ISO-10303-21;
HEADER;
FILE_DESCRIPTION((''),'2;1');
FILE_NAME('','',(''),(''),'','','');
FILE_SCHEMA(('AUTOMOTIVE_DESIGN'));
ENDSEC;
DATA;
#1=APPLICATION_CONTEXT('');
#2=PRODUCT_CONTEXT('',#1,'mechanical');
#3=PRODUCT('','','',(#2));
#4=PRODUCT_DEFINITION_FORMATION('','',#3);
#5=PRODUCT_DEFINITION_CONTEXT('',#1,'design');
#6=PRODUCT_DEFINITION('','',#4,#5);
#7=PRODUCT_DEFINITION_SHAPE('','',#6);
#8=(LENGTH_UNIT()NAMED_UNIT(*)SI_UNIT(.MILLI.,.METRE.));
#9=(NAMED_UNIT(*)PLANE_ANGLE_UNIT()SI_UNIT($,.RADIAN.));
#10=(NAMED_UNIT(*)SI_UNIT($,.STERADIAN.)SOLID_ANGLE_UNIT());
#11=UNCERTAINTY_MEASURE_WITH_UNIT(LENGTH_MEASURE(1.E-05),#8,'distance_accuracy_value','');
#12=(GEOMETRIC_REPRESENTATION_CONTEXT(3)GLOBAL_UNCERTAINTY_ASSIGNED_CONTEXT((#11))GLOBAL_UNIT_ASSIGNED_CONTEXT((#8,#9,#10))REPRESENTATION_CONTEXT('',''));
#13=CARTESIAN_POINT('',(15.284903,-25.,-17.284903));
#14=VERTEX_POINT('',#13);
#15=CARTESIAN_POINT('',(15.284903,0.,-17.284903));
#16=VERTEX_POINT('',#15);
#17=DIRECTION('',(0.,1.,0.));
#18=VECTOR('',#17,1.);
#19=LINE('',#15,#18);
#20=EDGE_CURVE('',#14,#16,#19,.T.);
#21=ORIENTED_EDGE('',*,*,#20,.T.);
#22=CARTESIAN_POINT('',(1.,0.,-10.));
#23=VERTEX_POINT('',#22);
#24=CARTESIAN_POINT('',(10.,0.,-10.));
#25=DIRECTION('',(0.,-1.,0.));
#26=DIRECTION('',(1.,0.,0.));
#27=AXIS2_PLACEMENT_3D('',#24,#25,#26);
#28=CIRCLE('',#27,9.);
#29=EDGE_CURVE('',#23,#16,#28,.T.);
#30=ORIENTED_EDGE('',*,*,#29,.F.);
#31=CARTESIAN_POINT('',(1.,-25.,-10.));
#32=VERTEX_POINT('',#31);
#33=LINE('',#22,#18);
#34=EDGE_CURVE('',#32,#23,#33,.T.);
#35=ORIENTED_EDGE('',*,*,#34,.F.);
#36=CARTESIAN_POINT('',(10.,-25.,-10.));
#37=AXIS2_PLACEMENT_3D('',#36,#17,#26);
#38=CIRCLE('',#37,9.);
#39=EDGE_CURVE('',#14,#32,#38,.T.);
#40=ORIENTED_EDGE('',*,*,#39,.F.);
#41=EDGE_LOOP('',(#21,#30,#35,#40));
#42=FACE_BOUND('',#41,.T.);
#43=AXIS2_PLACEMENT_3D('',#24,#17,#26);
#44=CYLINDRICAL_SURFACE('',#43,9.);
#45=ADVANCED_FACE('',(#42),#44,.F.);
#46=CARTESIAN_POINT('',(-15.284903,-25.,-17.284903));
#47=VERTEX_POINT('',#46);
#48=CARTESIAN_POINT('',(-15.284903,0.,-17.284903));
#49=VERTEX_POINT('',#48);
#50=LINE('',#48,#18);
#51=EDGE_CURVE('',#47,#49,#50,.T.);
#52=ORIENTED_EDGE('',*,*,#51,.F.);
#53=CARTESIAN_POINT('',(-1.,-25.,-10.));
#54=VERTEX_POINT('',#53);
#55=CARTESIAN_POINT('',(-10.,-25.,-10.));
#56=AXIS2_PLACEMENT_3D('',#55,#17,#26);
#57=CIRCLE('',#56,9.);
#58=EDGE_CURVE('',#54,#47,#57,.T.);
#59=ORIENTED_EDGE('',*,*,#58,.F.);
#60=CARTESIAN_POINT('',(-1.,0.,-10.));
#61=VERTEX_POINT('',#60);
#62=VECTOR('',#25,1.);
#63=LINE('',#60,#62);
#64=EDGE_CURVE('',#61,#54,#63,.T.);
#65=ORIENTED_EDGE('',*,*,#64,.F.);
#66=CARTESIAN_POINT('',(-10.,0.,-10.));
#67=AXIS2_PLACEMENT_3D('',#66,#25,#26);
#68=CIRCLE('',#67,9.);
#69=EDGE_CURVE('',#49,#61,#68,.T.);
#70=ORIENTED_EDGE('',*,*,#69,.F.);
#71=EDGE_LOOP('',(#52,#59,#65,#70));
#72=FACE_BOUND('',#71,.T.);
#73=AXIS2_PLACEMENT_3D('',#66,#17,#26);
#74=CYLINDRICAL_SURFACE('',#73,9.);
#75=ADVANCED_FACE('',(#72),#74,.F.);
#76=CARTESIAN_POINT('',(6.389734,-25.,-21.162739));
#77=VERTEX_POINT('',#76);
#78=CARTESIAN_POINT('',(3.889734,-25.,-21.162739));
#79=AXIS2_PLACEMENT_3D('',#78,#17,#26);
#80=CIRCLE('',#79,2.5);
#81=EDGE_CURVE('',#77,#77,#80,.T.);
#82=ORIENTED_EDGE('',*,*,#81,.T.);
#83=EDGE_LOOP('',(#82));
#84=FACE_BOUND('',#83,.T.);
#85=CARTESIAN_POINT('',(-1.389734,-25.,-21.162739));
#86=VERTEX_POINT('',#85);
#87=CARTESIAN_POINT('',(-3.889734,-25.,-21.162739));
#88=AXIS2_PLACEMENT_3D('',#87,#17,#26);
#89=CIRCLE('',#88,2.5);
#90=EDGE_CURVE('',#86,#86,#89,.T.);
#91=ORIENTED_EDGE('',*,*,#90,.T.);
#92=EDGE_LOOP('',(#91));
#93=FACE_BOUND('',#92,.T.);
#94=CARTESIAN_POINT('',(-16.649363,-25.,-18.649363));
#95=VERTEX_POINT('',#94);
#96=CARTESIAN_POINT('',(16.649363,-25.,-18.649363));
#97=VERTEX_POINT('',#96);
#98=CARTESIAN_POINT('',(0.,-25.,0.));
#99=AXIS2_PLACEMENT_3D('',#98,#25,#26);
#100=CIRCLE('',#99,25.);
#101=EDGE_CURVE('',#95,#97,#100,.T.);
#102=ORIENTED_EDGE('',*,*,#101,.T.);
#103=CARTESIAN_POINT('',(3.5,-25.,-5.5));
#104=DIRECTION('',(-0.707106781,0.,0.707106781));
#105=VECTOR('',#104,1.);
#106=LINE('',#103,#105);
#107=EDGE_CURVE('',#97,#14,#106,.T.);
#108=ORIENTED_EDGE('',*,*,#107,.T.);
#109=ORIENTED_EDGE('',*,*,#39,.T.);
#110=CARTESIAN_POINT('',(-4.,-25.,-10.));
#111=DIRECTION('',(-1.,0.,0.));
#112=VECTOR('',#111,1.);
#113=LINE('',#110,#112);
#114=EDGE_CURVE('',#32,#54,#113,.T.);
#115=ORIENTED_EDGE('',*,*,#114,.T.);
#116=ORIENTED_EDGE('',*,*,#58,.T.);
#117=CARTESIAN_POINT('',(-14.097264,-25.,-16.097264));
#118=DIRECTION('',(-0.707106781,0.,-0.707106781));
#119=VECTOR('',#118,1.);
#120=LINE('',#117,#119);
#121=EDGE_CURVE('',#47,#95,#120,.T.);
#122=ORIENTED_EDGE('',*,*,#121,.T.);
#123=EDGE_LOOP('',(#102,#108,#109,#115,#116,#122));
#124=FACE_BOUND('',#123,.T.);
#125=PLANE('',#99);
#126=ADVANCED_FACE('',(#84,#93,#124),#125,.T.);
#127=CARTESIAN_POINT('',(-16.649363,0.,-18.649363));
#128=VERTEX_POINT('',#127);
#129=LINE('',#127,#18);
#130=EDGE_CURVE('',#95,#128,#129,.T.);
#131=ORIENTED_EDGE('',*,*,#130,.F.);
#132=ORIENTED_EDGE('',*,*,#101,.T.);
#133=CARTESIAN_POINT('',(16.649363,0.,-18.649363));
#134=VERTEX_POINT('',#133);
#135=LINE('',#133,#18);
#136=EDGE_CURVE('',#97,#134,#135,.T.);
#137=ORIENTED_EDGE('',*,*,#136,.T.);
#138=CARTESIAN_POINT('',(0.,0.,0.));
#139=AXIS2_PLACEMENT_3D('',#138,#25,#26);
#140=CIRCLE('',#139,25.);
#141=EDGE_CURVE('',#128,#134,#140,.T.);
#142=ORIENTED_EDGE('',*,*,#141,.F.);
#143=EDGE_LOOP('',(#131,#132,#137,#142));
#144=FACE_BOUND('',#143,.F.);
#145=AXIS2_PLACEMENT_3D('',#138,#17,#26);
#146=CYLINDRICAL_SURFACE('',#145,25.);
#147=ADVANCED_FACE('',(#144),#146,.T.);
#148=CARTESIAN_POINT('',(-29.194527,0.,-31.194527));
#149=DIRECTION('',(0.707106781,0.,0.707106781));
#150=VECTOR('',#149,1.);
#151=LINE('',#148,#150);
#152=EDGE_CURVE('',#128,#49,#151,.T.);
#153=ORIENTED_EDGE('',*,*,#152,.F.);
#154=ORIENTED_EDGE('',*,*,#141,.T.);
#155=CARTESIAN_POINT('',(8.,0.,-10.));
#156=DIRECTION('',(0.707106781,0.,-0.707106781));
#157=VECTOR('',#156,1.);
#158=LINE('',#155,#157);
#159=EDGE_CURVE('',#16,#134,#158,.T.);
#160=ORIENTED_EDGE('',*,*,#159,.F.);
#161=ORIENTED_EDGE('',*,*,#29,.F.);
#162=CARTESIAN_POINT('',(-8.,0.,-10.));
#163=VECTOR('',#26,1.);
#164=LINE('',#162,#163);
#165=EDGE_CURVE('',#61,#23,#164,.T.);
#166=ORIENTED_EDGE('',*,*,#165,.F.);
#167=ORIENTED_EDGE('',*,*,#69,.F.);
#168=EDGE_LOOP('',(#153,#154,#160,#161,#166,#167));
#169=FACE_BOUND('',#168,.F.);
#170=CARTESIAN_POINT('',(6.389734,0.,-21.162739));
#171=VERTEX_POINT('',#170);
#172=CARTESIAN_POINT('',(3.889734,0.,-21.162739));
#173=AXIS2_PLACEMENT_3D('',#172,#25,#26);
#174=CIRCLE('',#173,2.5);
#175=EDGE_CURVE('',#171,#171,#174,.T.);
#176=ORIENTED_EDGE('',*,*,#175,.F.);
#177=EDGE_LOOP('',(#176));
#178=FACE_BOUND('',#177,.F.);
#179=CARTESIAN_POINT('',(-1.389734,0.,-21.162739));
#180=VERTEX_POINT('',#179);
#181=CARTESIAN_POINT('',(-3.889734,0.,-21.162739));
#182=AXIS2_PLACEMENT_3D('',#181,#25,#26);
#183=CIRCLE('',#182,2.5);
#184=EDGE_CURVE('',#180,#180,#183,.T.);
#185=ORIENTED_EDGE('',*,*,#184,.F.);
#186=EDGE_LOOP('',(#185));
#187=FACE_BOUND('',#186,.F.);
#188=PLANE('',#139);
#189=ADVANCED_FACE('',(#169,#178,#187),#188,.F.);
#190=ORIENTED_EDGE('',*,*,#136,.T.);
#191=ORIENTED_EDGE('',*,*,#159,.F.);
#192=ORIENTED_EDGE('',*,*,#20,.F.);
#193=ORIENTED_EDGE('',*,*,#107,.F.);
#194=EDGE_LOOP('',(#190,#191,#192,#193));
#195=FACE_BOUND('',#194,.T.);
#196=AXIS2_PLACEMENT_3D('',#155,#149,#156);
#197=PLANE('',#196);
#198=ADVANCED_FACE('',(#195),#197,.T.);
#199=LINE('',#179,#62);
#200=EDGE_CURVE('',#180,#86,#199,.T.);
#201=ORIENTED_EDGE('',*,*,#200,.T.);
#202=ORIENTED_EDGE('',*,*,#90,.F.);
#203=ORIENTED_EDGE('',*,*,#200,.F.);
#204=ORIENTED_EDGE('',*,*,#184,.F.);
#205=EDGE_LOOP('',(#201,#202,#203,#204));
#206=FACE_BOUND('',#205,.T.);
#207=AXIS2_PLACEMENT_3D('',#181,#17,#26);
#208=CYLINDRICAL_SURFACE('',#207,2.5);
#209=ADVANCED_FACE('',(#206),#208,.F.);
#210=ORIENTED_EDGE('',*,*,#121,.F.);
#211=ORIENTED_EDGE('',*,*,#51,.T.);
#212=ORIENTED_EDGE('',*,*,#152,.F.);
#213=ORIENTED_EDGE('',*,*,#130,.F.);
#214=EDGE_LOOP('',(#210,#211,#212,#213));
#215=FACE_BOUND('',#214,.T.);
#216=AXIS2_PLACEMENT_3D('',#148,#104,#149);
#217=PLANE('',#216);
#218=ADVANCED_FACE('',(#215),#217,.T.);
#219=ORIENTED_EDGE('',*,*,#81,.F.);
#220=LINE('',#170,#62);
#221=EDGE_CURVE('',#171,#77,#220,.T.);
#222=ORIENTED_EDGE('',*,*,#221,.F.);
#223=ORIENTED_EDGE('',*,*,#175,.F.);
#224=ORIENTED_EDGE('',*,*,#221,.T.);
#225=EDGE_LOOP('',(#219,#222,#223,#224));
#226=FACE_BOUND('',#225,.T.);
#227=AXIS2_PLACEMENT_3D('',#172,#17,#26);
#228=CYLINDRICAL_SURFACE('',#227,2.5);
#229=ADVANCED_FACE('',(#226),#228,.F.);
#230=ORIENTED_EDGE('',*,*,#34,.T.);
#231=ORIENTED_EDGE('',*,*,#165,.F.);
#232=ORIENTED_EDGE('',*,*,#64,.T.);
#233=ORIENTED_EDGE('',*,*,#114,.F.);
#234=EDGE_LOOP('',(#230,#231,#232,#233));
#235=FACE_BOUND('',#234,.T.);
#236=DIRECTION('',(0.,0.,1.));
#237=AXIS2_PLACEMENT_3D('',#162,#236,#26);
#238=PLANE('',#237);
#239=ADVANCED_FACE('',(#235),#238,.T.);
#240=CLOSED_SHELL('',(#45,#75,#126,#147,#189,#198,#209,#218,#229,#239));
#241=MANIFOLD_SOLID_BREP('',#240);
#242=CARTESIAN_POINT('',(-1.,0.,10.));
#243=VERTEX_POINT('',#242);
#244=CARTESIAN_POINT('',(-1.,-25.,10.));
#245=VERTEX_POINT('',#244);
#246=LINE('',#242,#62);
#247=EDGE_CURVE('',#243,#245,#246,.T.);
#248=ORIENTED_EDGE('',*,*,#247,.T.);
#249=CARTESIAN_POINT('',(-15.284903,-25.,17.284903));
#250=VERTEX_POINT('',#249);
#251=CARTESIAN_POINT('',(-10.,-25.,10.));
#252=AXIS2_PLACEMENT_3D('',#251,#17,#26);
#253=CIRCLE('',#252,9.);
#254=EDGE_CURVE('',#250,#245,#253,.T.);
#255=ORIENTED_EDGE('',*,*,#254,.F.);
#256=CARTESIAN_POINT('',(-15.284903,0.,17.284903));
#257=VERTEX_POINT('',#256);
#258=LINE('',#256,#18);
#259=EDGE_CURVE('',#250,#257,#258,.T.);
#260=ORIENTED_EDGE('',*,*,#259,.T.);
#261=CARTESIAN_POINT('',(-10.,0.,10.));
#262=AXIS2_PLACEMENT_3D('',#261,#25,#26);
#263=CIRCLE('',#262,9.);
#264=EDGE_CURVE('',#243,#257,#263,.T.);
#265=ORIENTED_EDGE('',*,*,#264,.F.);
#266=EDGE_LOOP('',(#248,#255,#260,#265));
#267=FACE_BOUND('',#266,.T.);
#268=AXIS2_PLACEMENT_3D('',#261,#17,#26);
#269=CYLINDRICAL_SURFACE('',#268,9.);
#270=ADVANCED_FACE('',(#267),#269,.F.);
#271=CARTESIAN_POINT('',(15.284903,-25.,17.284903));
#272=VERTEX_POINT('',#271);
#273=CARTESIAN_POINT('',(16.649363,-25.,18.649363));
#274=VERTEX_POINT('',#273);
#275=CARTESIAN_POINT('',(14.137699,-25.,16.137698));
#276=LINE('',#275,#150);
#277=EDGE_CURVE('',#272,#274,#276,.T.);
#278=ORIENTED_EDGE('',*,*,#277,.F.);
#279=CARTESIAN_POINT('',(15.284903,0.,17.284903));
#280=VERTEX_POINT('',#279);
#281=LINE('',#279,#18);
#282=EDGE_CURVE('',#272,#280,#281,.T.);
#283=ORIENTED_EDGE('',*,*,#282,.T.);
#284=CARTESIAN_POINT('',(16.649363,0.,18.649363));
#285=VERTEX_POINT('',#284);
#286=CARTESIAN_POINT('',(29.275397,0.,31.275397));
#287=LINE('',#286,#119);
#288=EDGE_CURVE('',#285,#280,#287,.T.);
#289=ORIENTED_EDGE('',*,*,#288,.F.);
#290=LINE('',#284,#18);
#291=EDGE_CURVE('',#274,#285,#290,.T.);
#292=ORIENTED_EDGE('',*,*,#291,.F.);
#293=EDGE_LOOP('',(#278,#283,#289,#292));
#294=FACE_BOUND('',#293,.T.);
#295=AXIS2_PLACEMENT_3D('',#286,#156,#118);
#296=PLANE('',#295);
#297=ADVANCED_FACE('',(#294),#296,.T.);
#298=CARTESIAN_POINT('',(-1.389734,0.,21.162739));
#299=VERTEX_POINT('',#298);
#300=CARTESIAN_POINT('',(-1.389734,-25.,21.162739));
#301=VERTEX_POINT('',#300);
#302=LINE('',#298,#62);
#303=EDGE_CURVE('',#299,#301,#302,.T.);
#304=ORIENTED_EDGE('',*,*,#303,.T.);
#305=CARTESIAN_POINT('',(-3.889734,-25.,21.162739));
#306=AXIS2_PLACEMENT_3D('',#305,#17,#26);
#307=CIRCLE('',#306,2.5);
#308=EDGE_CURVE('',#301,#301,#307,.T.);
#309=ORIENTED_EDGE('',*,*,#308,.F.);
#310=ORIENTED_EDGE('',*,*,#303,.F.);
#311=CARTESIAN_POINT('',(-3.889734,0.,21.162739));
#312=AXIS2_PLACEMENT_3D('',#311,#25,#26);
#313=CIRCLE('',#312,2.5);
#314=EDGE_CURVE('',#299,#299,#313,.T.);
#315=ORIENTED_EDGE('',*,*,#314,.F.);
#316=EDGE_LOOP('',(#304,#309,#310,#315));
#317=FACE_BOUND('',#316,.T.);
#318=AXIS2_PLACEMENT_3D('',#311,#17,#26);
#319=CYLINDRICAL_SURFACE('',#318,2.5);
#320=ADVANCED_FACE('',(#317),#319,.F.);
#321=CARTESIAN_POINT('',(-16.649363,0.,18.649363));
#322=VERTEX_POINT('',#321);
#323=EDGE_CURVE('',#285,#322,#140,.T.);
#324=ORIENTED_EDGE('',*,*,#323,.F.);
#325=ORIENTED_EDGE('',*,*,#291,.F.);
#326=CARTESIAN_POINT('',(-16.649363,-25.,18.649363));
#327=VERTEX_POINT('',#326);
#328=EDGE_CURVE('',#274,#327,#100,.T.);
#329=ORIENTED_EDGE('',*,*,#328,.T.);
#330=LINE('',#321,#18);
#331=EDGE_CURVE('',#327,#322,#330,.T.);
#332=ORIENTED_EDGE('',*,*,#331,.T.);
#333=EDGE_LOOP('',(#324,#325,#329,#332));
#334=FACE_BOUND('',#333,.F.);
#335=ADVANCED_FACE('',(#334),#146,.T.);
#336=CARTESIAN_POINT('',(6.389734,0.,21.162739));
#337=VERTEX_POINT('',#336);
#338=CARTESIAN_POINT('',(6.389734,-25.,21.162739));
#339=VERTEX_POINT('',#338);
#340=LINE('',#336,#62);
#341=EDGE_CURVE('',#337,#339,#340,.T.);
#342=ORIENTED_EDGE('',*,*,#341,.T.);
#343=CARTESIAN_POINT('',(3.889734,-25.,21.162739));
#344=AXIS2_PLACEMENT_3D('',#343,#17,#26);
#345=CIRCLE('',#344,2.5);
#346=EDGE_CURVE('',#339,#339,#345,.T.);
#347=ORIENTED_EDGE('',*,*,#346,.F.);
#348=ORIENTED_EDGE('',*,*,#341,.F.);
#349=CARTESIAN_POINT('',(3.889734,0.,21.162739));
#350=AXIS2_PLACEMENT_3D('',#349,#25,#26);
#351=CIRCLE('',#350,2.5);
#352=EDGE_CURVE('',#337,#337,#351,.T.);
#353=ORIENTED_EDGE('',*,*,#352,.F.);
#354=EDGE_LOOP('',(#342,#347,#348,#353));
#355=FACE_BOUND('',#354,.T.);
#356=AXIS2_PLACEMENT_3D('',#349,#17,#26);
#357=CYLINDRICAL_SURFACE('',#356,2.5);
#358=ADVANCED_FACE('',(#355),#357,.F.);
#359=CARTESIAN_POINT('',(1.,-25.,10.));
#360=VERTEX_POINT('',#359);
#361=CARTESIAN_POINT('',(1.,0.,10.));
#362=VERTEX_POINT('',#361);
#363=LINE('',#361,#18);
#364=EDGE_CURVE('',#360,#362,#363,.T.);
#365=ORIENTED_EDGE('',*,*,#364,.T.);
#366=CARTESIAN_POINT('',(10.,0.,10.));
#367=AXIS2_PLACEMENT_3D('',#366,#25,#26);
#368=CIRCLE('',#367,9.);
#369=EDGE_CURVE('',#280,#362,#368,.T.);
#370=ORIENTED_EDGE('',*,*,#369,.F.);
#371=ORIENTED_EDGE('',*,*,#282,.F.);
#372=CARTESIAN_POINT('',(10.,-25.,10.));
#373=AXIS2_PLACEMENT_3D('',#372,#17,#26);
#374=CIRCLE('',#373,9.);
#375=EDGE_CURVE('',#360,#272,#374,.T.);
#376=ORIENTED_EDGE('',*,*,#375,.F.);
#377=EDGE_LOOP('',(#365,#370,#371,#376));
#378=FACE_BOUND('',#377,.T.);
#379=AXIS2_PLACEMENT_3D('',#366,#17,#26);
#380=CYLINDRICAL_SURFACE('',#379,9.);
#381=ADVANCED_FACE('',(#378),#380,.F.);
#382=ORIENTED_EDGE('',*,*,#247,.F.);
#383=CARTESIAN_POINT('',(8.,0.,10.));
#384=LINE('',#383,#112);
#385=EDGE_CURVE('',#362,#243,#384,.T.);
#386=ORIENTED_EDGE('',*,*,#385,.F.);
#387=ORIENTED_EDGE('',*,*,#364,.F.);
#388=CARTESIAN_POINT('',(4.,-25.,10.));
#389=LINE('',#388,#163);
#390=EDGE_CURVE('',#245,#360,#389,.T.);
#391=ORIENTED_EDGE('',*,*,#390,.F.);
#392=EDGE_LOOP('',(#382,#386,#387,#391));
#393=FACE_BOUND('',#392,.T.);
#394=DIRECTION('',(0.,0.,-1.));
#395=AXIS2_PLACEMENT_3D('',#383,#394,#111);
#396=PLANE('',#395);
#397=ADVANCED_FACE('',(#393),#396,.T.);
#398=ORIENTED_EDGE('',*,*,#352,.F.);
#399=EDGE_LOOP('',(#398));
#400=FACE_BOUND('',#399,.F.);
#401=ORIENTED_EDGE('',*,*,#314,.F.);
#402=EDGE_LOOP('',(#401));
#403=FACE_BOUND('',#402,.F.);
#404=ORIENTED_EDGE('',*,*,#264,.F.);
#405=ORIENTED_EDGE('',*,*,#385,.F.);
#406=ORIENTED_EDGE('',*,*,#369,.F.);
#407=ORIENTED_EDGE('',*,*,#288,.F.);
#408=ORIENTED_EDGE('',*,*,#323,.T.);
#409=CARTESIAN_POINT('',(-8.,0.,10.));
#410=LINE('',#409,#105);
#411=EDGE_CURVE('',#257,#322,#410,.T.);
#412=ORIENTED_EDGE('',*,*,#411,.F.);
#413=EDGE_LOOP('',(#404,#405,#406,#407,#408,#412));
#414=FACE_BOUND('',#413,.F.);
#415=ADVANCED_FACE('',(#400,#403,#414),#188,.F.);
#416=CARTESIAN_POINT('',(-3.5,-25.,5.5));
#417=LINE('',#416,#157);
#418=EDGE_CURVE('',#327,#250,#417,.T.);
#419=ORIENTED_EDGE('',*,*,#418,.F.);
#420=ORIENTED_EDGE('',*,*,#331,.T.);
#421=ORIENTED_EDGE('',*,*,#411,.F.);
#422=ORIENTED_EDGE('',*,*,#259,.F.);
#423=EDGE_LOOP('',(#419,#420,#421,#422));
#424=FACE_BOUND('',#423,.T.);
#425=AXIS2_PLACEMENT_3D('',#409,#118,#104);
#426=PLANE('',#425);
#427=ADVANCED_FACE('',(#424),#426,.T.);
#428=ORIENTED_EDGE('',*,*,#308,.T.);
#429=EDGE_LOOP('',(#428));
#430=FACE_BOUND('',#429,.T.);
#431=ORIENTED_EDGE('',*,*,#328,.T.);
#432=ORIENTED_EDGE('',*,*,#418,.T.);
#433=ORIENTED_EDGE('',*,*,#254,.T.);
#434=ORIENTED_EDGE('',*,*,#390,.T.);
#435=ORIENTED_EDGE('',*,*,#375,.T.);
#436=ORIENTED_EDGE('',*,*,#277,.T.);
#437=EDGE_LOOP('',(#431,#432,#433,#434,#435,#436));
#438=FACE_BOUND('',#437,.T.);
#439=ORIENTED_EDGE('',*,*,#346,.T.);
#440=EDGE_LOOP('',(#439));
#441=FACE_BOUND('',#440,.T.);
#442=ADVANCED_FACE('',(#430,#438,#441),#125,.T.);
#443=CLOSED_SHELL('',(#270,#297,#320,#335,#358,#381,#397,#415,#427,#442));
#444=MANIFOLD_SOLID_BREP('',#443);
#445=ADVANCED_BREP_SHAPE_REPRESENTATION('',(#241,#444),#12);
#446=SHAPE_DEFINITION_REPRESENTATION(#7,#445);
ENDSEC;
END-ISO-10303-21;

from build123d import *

# Parameters (mm, degrees)
F0_R     = 25
F1_DEPTH = 25
F2_R     = 9
F3_DEPTH = 27.8
F5_DEPTH = 27.8
F6_R     = 2.5
F7_DEPTH = 45.7


with BuildPart() as f1:
    # F0 (on Front) → F1 (new body)
    with BuildSketch(Plane.XZ):
        Circle(F0_R)
    extrude(amount=F1_DEPTH)

    # F2 (on Front) → F3 (cut)
    with BuildSketch(Plane.XZ):
        with Locations((10, 10)):
            Circle(F2_R)
        with Locations((10, -10)):
            Circle(F2_R)
        with Locations((-10, 10)):
            Circle(F2_R)
        with Locations((-10, -10)):
            Circle(F2_R)
    extrude(amount=F3_DEPTH, mode=Mode.SUBTRACT)

    # F4 (on Front) → F5 (cut)
    with BuildSketch(Plane.XZ):
        Polygon((29.275397, 31.275397), (8, 10), (-8, 10), (-29.194527, 31.194527), (-29.194527, -31.194527), (-8, -10), (8, -10), (28.106605, -30.106605), align=None)
    extrude(amount=F5_DEPTH, mode=Mode.SUBTRACT)

    # F6 (on Front) → F7 (cut)
    with BuildSketch(Plane.XZ):
        with Locations((-3.889734, 21.162739)):
            Circle(F6_R)
        with Locations((3.889734, 21.162739)):
            Circle(F6_R)
        with Locations((3.889734, -21.162739)):
            Circle(F6_R)
        with Locations((-3.889734, -21.162739)):
            Circle(F6_R)
    extrude(amount=F7_DEPTH, mode=Mode.SUBTRACT)


solid = f1.part
